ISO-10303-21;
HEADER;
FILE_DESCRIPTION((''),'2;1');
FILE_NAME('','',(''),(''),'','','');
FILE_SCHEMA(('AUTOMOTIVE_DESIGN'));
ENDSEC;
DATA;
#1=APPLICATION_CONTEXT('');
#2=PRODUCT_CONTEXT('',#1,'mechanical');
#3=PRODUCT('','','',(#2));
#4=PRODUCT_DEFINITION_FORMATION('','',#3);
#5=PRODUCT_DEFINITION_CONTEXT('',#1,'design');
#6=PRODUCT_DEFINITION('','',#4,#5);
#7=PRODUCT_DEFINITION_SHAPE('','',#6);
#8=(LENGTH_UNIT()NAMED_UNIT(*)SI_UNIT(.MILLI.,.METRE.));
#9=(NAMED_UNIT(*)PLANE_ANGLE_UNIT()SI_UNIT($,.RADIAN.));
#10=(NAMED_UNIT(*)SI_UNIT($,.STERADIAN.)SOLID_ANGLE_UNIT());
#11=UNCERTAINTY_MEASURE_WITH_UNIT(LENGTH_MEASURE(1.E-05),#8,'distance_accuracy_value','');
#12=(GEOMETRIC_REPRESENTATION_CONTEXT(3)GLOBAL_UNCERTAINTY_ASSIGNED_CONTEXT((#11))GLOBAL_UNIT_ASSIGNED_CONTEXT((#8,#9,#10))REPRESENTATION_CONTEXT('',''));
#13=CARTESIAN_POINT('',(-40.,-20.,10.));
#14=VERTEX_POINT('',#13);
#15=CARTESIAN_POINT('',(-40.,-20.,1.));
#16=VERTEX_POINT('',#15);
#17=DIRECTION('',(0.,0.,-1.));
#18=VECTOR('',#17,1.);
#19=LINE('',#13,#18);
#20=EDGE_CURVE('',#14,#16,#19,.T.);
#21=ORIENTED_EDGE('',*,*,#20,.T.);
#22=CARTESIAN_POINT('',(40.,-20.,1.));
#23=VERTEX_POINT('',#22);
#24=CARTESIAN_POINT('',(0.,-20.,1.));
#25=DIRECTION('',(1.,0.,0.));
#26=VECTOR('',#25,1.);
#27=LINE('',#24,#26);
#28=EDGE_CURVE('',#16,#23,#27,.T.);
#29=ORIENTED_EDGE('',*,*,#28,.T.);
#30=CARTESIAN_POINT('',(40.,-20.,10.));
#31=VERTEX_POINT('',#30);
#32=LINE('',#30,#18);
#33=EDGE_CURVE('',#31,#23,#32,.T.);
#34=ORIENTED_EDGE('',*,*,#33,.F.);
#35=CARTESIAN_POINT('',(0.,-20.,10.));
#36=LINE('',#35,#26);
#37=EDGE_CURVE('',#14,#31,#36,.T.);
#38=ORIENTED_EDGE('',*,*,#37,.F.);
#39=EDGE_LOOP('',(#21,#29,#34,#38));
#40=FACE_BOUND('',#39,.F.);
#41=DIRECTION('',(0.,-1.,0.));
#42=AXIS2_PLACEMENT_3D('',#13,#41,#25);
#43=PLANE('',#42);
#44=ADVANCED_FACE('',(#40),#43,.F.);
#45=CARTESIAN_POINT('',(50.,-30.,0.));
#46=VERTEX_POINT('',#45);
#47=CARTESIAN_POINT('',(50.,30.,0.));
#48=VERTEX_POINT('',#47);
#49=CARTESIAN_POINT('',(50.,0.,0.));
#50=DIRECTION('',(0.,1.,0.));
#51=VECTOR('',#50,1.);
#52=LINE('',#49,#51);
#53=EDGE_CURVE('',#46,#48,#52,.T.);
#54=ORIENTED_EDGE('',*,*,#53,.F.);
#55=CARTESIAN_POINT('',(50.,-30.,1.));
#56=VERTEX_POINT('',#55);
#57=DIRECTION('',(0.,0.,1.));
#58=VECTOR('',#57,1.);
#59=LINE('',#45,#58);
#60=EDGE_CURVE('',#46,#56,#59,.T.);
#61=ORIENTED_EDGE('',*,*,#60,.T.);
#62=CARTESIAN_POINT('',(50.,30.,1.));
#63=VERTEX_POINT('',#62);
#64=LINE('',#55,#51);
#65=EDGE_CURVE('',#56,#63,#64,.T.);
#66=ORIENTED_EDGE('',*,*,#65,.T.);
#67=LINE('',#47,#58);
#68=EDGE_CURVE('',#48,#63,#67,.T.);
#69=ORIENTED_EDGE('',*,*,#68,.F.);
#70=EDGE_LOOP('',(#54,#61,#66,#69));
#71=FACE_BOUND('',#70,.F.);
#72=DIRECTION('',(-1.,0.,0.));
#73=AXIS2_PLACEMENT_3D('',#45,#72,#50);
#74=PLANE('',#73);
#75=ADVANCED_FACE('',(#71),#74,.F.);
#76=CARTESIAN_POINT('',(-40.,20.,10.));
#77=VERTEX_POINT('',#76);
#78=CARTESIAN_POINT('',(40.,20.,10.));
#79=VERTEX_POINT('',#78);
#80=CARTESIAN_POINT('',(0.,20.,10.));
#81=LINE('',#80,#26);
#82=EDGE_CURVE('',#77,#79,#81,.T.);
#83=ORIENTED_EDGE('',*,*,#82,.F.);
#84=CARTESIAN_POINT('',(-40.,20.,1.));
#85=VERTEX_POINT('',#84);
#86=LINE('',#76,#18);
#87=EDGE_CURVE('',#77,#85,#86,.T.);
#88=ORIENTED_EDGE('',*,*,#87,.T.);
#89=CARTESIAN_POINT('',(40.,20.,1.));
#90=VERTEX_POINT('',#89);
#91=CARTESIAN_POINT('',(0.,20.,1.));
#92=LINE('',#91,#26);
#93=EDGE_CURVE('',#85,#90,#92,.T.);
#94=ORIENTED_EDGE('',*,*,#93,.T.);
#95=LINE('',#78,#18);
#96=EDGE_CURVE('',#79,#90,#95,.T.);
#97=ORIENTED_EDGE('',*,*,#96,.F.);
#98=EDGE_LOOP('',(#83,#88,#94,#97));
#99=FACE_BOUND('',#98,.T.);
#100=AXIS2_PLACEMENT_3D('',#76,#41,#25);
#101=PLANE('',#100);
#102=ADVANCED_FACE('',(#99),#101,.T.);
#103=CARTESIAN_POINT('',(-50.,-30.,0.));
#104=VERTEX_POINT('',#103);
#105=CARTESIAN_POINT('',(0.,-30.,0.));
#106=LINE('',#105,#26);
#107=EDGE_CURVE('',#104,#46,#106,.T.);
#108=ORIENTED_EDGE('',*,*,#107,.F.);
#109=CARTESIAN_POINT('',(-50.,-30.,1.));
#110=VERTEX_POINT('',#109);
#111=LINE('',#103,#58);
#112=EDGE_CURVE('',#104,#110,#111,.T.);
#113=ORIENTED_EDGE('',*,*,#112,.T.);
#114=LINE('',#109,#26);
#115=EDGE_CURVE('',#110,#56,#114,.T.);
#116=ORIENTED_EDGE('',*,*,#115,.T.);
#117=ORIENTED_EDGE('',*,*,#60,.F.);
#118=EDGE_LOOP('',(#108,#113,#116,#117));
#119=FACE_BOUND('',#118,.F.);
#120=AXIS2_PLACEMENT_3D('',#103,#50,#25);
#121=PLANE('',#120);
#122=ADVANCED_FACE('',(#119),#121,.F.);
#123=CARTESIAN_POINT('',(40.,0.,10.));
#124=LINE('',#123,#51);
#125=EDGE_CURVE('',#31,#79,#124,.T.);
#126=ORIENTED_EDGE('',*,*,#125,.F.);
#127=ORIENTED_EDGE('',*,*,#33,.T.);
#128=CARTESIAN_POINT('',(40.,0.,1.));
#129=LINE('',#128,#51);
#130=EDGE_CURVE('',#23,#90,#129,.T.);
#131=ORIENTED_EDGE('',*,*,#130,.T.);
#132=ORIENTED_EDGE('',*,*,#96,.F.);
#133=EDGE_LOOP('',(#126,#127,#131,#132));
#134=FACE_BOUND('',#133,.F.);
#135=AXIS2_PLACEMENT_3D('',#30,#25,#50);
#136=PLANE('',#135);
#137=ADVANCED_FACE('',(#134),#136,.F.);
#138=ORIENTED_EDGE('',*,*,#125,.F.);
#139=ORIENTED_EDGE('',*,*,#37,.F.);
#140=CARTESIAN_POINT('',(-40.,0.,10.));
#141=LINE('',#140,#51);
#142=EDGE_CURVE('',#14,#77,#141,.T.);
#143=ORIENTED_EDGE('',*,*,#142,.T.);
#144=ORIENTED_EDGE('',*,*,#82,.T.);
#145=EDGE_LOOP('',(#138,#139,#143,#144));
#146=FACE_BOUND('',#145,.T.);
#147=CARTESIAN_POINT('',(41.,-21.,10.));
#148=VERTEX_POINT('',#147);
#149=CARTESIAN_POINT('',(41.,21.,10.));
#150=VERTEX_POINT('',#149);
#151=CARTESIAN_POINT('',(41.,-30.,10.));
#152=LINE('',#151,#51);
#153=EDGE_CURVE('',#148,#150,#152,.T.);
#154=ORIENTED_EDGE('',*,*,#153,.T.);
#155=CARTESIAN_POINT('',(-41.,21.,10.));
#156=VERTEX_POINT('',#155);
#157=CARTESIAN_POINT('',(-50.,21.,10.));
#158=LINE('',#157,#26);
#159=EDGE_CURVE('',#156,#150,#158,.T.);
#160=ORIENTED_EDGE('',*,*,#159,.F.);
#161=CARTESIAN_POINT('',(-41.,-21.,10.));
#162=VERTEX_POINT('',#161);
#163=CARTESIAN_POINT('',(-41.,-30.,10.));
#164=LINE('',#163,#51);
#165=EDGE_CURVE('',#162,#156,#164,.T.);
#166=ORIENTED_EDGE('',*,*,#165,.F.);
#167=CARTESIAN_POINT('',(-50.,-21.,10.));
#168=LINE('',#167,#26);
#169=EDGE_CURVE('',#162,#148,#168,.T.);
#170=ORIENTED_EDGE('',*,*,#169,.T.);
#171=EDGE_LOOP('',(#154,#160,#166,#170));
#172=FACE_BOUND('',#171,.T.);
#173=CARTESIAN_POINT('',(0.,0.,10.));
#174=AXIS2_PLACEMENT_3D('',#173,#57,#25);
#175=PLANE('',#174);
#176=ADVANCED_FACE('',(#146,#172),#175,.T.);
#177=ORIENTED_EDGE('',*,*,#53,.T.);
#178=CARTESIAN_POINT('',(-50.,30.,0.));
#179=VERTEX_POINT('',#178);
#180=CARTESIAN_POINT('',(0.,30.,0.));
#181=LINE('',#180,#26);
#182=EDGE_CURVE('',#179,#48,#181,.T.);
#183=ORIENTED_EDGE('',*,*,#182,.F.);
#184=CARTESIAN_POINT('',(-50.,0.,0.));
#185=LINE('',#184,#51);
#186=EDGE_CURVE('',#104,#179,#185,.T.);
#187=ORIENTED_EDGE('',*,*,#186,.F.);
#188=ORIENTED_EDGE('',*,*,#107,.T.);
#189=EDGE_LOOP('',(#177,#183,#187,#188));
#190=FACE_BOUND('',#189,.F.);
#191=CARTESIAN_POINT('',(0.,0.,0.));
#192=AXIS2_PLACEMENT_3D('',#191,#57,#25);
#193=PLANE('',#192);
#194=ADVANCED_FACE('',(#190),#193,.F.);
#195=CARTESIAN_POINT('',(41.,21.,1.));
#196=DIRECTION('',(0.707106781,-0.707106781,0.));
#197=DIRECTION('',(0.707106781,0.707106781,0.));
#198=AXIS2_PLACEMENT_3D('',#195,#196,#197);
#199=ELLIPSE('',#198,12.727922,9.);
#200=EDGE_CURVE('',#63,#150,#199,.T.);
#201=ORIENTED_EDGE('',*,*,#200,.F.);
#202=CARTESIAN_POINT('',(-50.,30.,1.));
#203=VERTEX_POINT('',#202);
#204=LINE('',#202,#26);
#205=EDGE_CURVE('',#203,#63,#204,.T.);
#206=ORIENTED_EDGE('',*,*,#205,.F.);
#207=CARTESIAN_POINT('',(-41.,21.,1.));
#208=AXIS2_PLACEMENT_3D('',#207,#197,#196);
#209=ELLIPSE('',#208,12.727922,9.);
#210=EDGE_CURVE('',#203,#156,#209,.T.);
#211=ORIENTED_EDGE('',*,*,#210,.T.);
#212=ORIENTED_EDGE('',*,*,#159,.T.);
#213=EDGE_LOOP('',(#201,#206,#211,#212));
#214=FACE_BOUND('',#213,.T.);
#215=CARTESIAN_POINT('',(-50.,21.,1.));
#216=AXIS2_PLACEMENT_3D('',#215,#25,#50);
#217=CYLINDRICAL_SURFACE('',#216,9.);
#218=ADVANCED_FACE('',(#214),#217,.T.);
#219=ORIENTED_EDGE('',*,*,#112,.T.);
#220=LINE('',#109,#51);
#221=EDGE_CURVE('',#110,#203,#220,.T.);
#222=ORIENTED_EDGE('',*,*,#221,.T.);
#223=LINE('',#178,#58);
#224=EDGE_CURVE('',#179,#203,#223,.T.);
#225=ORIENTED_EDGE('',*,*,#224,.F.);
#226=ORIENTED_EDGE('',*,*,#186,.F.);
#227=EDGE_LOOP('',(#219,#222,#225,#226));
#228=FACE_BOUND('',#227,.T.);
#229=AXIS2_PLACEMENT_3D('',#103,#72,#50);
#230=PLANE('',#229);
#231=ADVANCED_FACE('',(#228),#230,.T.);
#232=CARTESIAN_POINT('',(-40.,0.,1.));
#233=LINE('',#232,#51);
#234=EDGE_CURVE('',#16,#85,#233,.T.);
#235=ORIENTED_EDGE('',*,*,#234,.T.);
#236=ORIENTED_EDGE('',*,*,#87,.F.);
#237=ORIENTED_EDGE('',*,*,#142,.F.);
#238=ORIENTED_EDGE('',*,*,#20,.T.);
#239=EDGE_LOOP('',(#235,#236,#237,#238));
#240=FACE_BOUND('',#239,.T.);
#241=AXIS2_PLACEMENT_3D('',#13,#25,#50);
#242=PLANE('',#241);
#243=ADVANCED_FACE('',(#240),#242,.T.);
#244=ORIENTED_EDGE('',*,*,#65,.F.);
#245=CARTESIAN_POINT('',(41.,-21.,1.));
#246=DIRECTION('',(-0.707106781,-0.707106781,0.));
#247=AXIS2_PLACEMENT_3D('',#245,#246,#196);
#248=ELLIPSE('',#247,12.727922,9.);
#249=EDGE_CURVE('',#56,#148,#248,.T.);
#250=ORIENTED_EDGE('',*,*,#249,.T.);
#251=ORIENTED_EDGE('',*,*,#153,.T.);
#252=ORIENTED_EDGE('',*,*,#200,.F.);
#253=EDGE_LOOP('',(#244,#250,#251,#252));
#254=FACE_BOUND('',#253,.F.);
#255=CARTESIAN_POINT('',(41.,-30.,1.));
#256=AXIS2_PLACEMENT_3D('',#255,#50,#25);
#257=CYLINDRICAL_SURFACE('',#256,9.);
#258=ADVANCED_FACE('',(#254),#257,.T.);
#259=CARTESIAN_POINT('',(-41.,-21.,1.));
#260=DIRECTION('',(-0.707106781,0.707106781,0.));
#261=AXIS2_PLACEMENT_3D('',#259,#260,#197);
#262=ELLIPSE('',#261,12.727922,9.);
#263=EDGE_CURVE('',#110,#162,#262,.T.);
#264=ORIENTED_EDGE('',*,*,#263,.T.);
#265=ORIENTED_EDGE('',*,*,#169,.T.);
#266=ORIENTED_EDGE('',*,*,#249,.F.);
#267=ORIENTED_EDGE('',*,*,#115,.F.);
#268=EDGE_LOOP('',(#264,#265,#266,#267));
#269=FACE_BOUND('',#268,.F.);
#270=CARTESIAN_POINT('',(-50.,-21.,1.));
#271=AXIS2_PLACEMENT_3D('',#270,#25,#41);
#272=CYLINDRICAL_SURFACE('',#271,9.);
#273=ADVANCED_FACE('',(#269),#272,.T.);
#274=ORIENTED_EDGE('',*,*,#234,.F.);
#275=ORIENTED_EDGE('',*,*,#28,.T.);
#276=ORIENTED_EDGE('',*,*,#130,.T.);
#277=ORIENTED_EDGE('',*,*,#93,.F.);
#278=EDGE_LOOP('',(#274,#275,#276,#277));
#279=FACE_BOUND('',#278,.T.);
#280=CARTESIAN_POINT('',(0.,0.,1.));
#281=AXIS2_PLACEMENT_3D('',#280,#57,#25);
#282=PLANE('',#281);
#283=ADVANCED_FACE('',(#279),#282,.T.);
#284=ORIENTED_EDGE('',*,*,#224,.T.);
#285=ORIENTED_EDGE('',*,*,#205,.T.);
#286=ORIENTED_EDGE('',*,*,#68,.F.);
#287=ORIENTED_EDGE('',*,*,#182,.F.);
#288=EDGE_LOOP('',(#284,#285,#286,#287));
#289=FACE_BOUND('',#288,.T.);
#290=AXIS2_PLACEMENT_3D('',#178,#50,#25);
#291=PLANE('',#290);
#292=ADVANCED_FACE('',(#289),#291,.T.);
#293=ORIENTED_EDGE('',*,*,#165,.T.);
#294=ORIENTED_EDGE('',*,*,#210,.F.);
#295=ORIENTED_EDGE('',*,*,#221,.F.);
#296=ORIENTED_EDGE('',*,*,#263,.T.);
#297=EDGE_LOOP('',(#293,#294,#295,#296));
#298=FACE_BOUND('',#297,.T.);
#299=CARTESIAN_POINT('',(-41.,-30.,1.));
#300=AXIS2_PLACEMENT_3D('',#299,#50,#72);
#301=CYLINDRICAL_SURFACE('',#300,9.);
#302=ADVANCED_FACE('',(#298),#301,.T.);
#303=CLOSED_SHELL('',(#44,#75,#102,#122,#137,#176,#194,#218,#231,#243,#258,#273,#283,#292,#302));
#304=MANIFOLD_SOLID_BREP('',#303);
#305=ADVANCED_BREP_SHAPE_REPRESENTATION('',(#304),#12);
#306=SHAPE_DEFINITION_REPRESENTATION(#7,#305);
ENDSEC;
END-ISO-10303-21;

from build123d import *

# Parameters (mm, degrees)
SKETCH_W     = 100
SKETCH_H     = 60
PAD_DEPTH    = 10
FILLET_R     = 9
SKETCH001_W  = 80
SKETCH001_H  = 40
POCKET_DEPTH = 9


with BuildPart() as part:
    # Sketch → Pad (new body)
    with BuildSketch(Plane.XY):
        Rectangle(SKETCH_W, SKETCH_H)
    extrude(amount=PAD_DEPTH)

    # Fillet
    fillet_edges = [part.edges().sort_by_distance(p)[0] for p in [
        (0, -30, 10),
        (50, 0, 10),
        (0, 30, 10),
        (-50, 0, 10),
    ]]
    fillet(fillet_edges, radius=FILLET_R)

    # Sketch001 → Pocket (cut)
    with BuildSketch(Plane.XY.offset(10)):
        Rectangle(SKETCH001_W, SKETCH001_H)
    extrude(amount=-POCKET_DEPTH, mode=Mode.SUBTRACT)


solid = part.part
